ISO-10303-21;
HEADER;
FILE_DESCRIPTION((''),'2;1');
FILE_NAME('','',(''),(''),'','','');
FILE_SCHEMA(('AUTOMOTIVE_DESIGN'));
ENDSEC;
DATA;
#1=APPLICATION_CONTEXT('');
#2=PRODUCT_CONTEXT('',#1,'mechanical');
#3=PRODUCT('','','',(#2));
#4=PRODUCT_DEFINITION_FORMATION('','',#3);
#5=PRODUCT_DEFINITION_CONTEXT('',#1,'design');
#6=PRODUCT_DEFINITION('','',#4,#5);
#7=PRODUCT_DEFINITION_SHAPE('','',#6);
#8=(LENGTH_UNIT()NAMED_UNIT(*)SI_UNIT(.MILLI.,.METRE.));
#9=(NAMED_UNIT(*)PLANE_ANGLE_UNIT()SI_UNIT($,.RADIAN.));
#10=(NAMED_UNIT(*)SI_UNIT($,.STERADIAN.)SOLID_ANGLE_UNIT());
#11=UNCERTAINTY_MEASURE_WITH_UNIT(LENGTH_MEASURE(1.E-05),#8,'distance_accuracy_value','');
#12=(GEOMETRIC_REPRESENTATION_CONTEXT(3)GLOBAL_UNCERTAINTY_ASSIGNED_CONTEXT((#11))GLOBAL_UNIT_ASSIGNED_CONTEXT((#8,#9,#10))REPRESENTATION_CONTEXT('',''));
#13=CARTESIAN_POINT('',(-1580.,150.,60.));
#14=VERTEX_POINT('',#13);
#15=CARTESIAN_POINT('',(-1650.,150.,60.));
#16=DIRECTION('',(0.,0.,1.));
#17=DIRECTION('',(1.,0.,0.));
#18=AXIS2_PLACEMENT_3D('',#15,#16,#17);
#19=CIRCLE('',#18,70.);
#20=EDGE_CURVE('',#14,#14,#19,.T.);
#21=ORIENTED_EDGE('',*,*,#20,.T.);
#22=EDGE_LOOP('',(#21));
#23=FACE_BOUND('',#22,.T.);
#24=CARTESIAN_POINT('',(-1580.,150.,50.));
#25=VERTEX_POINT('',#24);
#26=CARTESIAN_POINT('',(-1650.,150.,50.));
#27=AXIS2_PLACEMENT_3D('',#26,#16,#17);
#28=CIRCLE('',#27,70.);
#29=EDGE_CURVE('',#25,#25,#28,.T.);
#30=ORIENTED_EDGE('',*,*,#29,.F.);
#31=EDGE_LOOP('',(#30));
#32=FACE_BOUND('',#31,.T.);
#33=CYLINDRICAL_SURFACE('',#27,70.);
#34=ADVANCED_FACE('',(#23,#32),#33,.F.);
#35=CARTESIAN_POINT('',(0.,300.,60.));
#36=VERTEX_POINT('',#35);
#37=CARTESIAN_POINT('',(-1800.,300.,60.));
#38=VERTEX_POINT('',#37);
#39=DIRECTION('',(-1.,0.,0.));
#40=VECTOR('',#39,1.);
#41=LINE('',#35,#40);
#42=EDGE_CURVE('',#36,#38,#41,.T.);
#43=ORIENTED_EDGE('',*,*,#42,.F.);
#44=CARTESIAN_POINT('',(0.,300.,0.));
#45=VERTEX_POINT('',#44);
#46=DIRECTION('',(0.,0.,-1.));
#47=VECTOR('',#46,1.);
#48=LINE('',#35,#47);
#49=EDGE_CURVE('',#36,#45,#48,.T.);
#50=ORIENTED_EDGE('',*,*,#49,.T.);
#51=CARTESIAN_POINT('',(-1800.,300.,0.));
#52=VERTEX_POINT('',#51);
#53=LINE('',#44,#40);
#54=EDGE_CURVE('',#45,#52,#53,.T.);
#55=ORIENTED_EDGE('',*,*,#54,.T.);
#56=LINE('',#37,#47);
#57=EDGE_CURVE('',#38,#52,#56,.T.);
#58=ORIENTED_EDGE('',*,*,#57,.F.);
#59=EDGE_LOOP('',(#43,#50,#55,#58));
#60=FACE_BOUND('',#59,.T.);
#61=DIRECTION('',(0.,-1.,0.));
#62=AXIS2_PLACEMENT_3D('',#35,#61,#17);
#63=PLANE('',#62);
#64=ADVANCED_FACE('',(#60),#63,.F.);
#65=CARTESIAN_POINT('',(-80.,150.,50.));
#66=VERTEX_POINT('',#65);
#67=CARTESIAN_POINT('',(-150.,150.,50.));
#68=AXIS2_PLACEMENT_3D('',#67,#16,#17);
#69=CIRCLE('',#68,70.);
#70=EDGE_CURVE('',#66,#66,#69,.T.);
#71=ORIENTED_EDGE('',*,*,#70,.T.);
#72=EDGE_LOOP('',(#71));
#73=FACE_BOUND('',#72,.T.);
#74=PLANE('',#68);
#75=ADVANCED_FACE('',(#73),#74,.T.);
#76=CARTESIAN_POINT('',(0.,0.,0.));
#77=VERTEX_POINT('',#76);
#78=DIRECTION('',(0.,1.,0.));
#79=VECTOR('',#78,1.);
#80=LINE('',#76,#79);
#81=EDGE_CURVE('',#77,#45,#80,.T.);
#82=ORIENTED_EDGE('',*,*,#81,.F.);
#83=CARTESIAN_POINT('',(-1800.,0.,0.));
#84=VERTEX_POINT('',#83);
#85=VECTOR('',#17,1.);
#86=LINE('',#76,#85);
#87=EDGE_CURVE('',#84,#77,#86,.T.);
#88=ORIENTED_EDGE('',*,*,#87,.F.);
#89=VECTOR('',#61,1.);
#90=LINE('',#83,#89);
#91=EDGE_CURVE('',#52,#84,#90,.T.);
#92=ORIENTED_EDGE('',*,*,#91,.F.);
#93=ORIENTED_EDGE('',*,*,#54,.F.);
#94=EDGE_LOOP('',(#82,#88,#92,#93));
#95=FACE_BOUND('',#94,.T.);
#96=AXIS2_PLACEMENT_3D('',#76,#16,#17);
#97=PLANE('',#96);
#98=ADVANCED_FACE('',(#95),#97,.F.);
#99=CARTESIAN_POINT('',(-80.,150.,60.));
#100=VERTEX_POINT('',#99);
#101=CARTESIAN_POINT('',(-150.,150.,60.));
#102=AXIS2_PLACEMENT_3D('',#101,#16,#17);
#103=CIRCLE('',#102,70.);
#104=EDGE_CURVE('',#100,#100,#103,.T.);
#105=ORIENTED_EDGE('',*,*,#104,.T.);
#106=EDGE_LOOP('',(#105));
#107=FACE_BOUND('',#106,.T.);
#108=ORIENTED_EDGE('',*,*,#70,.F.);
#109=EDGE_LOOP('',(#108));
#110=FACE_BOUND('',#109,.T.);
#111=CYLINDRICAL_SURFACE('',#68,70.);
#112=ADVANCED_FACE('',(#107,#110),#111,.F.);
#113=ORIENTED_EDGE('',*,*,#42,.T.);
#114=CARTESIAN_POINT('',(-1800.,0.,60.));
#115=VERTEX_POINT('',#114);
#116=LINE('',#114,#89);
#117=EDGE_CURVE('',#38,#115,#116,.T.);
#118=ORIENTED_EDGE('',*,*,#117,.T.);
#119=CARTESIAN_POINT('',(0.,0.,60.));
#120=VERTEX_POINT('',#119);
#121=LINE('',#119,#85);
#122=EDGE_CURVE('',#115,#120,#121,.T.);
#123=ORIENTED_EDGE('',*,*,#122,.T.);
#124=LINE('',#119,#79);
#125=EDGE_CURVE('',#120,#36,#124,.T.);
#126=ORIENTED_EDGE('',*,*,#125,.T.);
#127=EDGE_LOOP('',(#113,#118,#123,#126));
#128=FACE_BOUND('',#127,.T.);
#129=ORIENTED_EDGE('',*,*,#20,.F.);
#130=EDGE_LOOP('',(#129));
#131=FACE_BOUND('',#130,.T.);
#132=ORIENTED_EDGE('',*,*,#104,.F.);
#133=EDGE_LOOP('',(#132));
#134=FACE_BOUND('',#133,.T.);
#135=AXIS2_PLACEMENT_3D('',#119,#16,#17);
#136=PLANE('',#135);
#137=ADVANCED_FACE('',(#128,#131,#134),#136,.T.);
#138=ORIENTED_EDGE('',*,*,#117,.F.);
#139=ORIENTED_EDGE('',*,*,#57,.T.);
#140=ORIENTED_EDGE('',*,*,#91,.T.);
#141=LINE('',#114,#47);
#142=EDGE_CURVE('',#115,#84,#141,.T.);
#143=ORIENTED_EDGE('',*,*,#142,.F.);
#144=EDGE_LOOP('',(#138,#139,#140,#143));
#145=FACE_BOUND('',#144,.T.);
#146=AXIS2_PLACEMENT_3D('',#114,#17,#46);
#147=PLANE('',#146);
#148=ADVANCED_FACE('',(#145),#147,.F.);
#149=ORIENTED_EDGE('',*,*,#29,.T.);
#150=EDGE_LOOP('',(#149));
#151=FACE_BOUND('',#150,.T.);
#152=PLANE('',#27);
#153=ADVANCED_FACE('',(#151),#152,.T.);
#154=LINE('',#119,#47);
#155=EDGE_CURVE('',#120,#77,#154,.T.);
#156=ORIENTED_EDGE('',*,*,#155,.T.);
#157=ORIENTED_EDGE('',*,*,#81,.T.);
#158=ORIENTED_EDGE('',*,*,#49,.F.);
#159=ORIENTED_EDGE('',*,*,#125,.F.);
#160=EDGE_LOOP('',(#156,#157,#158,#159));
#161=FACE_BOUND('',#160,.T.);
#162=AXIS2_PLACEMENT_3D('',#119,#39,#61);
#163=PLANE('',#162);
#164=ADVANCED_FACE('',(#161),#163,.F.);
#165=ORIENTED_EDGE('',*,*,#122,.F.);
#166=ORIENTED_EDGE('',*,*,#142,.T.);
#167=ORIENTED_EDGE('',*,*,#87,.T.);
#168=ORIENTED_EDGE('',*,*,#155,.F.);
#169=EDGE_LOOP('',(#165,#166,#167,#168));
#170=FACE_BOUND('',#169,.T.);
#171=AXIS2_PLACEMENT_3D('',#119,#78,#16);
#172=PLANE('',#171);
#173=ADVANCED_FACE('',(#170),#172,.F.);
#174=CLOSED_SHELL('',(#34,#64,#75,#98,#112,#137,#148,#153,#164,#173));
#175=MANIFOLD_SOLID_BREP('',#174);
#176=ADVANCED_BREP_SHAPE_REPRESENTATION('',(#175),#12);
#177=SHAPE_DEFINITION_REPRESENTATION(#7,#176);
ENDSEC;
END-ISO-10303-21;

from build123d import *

# Parameters (mm, degrees)
ESQUISSE1_W             = 1800
ESQUISSE1_H             = 300
BOSS_EXTRU_1_DEPTH      = 60
ESQUISSE2_R             = 70
ENL_V_MAT_EXTRU_1_DEPTH = 10


with BuildPart() as part:
    # Esquisse1 → Boss.-Extru.1 (new body)
    with BuildSketch(Plane.XY):
        with Locations((-900, 150)):
            Rectangle(ESQUISSE1_W, ESQUISSE1_H)
    extrude(amount=BOSS_EXTRU_1_DEPTH)

    # Esquisse2 → Enlèv. mat.-Extru.1 (cut)
    with BuildSketch(Plane.XY.offset(60)):
        with Locations((-150, 150)):
            Circle(ESQUISSE2_R)
        with Locations((-1650, 150)):
            Circle(ESQUISSE2_R)
    extrude(amount=-ENL_V_MAT_EXTRU_1_DEPTH, mode=Mode.SUBTRACT)


solid = part.part
